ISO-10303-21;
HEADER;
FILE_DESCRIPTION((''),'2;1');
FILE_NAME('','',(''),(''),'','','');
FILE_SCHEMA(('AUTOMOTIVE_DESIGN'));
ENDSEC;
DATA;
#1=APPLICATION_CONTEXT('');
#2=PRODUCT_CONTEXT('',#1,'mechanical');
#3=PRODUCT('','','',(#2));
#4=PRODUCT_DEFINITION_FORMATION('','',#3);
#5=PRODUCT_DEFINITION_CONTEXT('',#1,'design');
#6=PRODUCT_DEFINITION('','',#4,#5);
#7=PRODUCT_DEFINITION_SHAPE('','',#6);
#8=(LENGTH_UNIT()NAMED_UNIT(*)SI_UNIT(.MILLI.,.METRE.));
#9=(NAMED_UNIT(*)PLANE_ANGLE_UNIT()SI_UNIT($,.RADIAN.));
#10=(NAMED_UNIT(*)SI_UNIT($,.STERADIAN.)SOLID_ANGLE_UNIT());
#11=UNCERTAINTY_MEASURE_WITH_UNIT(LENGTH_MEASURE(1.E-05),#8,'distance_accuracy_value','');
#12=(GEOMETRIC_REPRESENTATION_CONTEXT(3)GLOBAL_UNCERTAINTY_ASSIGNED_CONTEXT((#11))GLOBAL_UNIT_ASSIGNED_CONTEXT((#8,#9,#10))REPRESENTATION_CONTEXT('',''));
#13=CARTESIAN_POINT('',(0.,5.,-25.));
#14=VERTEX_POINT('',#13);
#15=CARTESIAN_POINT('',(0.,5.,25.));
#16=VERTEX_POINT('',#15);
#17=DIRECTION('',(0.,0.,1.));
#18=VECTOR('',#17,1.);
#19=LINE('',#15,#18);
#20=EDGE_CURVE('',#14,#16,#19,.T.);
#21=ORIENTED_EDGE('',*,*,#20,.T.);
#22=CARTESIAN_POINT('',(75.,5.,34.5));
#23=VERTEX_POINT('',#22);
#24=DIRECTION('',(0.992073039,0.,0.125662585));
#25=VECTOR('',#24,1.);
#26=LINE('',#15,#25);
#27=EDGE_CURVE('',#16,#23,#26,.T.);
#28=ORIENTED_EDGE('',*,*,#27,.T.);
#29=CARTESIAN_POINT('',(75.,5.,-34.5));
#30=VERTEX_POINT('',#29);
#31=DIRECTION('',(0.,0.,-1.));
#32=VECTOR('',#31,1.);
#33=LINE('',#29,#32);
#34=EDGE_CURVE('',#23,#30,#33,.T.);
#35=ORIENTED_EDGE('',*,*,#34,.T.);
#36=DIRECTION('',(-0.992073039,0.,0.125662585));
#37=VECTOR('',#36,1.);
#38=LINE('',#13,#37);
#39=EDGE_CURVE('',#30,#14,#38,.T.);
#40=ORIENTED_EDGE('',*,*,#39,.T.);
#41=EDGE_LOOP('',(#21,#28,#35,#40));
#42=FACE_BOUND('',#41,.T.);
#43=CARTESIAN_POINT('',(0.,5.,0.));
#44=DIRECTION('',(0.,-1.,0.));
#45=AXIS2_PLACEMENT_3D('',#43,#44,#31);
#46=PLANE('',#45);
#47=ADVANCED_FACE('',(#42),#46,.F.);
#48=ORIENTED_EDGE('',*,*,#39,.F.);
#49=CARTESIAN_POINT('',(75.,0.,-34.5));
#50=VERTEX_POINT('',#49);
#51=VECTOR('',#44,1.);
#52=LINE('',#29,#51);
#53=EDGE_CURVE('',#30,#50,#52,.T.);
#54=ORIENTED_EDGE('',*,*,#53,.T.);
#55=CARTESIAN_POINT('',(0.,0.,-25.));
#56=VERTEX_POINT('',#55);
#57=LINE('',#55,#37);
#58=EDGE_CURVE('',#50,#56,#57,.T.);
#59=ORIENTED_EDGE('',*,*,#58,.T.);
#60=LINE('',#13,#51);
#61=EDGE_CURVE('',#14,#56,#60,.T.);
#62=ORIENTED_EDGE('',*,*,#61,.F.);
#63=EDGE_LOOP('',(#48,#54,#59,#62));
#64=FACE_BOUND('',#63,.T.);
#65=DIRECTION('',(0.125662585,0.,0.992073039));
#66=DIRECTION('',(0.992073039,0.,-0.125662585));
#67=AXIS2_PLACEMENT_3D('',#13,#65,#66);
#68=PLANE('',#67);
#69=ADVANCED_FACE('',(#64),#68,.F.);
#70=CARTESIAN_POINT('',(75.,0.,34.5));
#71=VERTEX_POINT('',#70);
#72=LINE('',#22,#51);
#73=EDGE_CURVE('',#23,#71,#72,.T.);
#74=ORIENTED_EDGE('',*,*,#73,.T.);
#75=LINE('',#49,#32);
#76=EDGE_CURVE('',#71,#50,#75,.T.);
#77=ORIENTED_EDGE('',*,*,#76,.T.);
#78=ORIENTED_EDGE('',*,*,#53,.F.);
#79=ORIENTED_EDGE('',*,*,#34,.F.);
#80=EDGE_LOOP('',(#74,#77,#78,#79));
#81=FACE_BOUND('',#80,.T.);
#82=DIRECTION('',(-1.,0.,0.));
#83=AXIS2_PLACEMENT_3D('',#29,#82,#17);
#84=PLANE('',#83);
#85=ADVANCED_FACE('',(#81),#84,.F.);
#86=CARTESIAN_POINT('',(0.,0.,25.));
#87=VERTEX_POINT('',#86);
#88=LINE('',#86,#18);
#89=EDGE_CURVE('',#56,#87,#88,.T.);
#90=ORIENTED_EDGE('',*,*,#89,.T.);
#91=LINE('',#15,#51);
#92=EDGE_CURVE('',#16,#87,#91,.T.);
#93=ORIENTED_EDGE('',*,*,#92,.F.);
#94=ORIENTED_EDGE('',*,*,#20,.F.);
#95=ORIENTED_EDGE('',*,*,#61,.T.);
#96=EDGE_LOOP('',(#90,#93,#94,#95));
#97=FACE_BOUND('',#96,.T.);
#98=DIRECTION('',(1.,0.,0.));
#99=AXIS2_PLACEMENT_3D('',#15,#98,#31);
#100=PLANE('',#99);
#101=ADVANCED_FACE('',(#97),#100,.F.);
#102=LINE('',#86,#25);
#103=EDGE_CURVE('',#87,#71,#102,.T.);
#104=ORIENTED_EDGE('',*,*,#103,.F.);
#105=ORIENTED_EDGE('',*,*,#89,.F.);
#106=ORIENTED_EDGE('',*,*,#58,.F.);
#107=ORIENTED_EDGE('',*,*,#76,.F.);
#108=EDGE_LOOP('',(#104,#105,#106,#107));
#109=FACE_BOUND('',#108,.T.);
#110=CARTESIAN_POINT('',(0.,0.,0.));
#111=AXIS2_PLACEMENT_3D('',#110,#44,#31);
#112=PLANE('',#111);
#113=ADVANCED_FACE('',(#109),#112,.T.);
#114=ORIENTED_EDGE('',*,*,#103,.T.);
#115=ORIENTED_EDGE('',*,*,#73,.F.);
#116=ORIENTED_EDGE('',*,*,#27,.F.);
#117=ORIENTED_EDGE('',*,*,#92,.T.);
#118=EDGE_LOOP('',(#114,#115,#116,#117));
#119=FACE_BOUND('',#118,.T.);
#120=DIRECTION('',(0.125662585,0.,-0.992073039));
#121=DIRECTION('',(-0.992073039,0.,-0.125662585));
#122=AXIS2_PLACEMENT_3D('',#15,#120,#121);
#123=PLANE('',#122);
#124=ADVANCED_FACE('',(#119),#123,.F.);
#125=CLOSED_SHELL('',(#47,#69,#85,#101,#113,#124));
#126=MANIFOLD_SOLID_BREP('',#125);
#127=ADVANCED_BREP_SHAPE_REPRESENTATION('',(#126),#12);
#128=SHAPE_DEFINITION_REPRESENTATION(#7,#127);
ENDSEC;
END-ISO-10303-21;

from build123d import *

# Parameters (mm, degrees)
BOSS_EXTRUDE1_DEPTH = 5


with BuildPart() as part:
    # Sketch1 → Boss-Extrude1 (new body)
    with BuildSketch(Plane(origin=(0, 0, 0), x_dir=(1, 0, 0), z_dir=(0, 1, 0))):
        Polygon((0, 25), (75, 34.5), (75, -34.5), (0, -25), align=None)
    extrude(amount=BOSS_EXTRUDE1_DEPTH)


solid = part.part
